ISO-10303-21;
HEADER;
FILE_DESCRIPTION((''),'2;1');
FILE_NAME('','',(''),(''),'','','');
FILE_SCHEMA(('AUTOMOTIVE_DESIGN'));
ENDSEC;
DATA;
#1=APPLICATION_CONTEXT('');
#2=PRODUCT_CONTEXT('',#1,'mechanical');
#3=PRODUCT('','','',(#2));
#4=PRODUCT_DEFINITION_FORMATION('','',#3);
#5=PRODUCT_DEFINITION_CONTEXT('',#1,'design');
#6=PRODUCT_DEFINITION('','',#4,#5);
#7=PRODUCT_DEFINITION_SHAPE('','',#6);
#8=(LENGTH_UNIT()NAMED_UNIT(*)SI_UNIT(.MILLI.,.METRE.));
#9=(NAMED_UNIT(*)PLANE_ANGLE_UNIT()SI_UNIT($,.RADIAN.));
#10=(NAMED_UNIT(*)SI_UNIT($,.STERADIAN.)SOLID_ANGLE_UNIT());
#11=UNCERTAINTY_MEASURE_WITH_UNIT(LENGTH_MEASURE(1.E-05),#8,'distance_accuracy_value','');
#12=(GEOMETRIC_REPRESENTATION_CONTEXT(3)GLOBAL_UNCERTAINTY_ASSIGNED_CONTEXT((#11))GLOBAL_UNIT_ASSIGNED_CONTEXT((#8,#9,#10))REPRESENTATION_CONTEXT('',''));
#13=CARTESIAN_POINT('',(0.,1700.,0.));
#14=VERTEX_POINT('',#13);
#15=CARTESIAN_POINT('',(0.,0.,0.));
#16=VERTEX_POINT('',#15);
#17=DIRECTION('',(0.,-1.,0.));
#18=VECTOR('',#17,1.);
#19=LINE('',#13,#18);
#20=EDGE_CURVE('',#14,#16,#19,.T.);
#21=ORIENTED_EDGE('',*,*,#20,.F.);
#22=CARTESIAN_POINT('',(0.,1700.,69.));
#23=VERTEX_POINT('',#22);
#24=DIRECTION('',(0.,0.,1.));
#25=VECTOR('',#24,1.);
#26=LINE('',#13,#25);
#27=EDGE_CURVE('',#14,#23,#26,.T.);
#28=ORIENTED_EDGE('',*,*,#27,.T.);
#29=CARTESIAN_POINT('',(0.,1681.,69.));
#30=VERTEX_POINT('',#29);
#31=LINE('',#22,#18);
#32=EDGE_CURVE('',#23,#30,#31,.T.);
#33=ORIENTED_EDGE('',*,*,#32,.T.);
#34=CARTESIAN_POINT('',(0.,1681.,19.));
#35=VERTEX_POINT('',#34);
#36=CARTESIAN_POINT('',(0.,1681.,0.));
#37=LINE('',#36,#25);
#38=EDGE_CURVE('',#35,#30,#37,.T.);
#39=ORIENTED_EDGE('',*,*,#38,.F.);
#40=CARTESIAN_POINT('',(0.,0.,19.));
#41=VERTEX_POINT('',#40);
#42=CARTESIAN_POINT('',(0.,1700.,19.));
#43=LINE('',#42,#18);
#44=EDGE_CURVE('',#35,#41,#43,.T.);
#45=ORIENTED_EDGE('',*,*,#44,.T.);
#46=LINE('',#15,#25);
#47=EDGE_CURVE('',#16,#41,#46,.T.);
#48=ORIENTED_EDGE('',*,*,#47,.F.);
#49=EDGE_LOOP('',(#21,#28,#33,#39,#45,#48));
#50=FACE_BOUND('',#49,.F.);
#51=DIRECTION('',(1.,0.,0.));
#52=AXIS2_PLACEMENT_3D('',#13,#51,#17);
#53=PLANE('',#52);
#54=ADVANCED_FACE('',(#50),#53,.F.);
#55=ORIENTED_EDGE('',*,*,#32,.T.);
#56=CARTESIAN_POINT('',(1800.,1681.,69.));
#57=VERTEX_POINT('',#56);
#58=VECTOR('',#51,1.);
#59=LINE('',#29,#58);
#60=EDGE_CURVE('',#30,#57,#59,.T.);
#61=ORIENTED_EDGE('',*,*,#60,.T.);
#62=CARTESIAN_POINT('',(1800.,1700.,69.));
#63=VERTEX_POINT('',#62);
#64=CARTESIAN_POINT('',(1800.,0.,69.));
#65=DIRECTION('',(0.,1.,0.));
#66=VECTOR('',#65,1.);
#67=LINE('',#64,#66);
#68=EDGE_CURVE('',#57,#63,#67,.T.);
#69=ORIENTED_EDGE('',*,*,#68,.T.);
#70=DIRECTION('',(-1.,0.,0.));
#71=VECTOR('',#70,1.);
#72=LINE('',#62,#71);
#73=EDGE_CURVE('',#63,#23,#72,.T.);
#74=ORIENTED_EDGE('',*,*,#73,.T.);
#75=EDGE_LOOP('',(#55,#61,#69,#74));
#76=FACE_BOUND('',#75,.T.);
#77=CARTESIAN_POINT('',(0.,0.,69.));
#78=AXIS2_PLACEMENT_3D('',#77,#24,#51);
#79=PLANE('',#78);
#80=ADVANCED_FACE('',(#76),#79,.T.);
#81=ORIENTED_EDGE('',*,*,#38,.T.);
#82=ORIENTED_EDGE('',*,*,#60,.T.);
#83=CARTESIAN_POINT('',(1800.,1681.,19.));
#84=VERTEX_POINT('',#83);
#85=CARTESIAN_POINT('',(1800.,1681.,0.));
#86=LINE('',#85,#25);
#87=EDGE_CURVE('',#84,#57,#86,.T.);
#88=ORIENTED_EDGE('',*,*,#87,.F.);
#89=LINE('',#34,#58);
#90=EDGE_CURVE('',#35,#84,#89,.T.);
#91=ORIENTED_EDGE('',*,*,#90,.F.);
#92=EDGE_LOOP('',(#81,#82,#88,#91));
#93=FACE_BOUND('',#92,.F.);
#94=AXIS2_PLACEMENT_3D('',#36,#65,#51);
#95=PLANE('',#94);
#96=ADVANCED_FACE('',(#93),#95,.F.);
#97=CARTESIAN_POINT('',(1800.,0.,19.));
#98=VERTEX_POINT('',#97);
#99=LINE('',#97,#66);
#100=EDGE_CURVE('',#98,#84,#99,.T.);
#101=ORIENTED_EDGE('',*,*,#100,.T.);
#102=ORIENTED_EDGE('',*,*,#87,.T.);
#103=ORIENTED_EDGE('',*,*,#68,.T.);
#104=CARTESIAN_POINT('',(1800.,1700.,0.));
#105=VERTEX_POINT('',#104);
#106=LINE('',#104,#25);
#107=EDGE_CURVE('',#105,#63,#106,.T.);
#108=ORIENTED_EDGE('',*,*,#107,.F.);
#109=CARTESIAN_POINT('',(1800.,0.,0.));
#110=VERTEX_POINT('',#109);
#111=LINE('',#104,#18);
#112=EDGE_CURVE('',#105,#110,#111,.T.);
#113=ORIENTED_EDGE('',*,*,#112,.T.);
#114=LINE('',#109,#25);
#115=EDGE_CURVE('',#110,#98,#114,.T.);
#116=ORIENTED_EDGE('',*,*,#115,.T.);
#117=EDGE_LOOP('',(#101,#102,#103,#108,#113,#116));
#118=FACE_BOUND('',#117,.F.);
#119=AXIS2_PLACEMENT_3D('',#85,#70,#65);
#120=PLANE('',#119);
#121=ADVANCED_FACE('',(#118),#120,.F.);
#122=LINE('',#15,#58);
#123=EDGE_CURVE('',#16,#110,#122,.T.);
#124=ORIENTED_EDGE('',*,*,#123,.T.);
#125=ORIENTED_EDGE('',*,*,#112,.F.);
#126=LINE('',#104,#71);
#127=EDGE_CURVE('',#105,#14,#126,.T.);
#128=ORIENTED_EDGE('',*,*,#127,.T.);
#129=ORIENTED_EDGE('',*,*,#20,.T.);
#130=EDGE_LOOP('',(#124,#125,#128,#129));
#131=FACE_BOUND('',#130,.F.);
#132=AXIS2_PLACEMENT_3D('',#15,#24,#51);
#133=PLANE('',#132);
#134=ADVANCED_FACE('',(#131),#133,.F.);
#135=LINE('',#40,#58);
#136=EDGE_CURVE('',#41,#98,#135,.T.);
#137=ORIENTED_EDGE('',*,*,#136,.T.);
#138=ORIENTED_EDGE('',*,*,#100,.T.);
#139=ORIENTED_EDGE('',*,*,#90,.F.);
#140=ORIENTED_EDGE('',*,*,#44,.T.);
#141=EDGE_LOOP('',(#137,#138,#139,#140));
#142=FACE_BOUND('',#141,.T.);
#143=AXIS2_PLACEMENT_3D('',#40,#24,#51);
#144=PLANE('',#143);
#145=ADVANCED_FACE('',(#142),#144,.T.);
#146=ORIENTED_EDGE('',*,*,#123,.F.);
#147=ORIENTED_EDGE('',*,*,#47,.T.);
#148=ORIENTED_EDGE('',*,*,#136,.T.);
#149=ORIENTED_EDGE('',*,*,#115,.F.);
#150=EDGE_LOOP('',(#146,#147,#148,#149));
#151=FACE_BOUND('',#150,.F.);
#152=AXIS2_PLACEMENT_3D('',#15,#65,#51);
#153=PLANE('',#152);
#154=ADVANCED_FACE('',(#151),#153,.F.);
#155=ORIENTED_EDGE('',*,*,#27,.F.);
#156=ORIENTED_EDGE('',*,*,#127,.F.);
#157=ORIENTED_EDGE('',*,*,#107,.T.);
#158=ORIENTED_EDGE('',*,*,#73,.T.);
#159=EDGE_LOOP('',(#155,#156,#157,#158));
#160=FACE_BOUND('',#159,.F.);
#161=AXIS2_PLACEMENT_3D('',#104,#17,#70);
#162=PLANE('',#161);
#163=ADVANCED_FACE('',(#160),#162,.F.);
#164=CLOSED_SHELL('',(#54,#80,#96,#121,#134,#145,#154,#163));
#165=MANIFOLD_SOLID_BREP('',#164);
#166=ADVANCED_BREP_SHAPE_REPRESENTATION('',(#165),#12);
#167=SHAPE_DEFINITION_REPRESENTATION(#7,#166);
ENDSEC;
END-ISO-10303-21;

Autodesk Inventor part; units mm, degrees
ref_plane "YZ Plane" through (0, 0, 0) normal (1, 0, 0) x (0, 1, 0)
ref_plane "XZ Plane" through (0, 0, 0) normal (0, 1, 0) x (-1, 0, 0)
ref_plane "XY Plane" through (0, 0, 0) normal (0, 0, 1) x (1, 0, 0)
sketch "Szkic1" plane through (0, 0, 0) normal (0, 0, 1) x (1, 0, 0)
  line L0 (0, 0) -> (1800, 0)
  line L1 (1800, 0) -> (1800, 1700)
  line L2 (1800, 1700) -> (0, 1700)
  line L3 (0, 1700) -> (0, 0)
  line L4 (0, 1681) -> (1800, 1681)
  dimension "d0" = 1800
  dimension "d1" = 1700
  dimension "d2" = 19
extrude "Wyciągnięcie proste1" add sketch "Szkic1" along normal blind 69 contours L3 L2 L1 L4
extrude "Wyciągnięcie proste2" add sketch "Szkic1" along normal blind 19 contours L3 L4 L1 L0
properties part number "blat" material "Drewno (klon)"
